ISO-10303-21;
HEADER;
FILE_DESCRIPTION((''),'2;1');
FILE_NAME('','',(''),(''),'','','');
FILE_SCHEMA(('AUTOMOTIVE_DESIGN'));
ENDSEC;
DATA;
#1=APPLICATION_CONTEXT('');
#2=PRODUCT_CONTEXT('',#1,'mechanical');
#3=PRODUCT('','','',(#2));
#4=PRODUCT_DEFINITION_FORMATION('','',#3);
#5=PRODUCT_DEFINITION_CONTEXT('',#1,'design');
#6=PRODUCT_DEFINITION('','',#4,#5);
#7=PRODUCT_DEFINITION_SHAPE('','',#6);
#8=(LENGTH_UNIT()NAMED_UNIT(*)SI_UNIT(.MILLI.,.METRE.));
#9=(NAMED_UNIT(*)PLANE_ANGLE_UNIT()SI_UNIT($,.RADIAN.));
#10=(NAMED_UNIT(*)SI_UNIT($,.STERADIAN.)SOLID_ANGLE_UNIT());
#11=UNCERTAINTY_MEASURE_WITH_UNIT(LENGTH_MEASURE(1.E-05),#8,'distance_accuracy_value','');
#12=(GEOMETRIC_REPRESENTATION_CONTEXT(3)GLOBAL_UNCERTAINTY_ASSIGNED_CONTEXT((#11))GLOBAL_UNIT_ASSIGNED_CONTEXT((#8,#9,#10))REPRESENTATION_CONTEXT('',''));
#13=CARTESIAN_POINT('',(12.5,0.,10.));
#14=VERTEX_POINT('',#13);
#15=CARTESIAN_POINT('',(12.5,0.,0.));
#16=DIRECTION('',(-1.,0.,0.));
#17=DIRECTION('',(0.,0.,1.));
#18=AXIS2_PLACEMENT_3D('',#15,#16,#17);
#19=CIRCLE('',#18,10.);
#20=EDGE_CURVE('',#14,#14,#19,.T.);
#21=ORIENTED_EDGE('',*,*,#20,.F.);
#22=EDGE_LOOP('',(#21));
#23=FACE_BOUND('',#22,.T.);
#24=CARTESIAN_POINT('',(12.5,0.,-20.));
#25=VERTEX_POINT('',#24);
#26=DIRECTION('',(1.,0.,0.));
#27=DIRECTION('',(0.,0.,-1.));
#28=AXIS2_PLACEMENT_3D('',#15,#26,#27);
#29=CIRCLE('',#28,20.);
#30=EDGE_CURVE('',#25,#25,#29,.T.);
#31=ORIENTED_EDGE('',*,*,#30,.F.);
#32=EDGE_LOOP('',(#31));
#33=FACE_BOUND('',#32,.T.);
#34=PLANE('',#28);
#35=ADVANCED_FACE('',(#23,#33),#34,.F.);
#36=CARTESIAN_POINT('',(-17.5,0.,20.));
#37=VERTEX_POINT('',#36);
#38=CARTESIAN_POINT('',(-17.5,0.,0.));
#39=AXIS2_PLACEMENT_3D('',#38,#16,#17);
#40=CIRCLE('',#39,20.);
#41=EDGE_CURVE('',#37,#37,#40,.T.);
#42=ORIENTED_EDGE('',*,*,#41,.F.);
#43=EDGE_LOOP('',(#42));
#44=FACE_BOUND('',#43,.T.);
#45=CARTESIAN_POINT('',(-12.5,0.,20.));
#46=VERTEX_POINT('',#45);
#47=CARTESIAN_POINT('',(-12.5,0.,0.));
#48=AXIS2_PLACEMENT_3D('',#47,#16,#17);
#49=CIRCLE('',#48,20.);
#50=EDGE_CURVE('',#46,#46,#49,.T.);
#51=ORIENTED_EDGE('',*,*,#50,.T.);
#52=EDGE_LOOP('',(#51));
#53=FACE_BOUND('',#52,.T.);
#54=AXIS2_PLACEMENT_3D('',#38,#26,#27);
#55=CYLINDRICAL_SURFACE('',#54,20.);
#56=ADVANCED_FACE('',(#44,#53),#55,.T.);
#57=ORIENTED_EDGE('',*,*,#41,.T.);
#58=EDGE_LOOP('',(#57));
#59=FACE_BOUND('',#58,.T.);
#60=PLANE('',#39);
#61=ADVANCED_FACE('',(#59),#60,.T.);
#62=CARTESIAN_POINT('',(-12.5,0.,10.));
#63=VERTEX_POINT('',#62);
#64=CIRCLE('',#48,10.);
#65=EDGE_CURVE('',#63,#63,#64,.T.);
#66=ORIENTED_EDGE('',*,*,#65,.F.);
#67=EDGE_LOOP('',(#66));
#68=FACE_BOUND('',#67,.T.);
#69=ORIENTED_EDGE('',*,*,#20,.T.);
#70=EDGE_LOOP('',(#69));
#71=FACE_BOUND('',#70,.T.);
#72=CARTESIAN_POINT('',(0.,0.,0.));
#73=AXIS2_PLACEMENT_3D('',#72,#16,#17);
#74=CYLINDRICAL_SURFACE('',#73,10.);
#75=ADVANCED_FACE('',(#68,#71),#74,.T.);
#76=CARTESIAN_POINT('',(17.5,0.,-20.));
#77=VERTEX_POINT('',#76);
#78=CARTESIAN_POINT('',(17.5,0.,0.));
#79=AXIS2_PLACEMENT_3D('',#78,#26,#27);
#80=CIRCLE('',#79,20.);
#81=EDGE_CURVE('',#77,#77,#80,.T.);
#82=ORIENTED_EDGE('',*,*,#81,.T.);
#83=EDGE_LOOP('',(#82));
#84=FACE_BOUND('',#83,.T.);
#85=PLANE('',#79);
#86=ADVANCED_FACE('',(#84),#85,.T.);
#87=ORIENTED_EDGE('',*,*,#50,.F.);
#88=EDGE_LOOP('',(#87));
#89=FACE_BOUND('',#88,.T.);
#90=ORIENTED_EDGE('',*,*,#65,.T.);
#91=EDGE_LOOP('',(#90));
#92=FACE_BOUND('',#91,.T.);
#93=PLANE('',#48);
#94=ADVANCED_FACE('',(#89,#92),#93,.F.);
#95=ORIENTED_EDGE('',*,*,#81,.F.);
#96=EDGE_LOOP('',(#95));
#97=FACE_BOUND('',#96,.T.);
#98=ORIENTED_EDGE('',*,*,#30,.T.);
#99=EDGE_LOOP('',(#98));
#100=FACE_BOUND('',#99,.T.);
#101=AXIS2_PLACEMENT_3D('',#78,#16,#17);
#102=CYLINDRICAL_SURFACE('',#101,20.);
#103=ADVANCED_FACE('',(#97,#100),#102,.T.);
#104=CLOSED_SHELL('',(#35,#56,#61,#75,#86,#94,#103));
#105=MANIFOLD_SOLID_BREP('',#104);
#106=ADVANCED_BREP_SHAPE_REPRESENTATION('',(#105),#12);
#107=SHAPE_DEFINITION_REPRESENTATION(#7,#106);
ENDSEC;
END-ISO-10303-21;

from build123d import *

# Parameters (mm, degrees)
SKETCH1_W           = 25
SKETCH1_H           = 10
SKETCH2_R           = 20
BOSS_EXTRUDE1_DEPTH = 5
BOSS_EXTRUDE2_START = 5
SKETCH3_R           = 20
BOSS_EXTRUDE2_DEPTH = 5


with BuildPart() as part:
    # Sketch1 → Revolve1 (revolve)
    with BuildSketch(Plane.XY, mode=Mode.PRIVATE) as revolve1_sk:
        with Locations((0, 5)):
            Rectangle(SKETCH1_W, SKETCH1_H)
    revolve(revolve1_sk.sketch.rotate(Axis((0, 0, 0), (1, 0, 0)), 90), axis=Axis((0, 0, 0), (1, 0, 0)))

    # Sketch2 → Boss-Extrude1 (add)
    with BuildSketch(Plane.ZY.offset(12.5)):
        Circle(SKETCH2_R)
    extrude(amount=BOSS_EXTRUDE1_DEPTH)

    # Sketch3 → Boss-Extrude2 (add)
    with BuildSketch(Plane(origin=(12.5, 0, 0), x_dir=(0, 0, -1), z_dir=(1, 0, 0)).offset(BOSS_EXTRUDE2_START)):
        with Locations(Location((0, 0, 0), (0, 0, 180))):
            Circle(SKETCH3_R)
    extrude(amount=-BOSS_EXTRUDE2_DEPTH)


solid = part.part
